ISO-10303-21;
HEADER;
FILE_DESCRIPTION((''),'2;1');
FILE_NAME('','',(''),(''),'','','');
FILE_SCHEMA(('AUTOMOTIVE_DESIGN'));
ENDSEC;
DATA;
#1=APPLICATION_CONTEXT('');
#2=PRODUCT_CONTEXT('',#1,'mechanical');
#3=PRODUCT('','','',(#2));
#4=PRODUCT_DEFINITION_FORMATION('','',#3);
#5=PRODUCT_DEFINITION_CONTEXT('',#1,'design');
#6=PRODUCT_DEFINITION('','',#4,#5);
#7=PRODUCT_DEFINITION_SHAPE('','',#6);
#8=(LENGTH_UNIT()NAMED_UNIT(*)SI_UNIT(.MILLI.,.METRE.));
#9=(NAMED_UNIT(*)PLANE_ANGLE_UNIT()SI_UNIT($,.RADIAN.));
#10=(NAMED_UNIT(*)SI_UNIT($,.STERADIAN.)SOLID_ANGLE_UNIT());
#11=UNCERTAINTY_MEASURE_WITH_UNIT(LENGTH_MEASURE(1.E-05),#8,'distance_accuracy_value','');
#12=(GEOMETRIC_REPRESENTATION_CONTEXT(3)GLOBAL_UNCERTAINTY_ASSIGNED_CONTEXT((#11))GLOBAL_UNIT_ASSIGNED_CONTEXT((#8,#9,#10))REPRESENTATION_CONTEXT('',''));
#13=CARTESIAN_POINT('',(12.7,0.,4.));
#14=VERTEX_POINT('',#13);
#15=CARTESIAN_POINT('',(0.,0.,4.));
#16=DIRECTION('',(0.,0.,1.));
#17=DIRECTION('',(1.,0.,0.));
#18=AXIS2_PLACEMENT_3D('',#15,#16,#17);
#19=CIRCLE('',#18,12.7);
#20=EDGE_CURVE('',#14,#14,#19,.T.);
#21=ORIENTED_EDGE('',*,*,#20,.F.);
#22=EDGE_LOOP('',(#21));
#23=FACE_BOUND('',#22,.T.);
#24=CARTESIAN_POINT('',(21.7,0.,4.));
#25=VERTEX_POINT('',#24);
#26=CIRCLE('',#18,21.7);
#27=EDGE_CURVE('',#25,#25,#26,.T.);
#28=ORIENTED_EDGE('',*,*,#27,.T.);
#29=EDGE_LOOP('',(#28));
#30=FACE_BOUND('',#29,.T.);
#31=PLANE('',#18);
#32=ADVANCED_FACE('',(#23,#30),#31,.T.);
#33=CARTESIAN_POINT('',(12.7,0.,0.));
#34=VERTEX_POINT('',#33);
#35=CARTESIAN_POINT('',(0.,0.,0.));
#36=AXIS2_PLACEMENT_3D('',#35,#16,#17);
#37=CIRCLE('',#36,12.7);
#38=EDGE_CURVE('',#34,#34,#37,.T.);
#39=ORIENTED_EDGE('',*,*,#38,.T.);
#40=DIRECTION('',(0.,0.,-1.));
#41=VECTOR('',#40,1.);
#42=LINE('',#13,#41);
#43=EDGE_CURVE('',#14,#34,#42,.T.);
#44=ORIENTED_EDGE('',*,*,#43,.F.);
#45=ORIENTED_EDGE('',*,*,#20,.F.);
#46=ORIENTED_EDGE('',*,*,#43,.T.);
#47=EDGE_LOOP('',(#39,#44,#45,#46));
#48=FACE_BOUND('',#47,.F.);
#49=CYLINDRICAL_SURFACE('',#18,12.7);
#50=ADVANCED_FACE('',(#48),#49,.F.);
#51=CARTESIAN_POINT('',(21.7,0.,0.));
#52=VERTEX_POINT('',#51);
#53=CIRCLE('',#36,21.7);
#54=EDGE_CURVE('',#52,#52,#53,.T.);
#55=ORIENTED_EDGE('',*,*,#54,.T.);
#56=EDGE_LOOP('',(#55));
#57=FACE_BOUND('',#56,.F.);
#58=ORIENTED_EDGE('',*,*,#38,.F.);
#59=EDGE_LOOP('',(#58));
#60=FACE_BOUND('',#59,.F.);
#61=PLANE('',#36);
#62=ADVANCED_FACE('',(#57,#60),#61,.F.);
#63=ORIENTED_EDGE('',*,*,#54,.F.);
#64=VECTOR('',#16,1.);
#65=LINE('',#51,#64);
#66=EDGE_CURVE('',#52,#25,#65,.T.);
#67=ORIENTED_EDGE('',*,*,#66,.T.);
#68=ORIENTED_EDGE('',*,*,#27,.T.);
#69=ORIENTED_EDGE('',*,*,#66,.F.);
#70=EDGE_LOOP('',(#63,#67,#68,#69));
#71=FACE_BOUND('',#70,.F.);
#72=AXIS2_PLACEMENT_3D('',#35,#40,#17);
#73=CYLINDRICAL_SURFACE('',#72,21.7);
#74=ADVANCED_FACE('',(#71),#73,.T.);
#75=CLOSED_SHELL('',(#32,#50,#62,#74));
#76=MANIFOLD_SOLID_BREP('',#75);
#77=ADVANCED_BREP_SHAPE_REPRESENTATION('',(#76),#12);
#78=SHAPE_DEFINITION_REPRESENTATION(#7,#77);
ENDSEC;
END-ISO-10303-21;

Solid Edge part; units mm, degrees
sketch "Sketch1" plane through (0, 0, 0) normal (0, 0, 1) x (1, 0, 0)
  circle A0 centre (0, 0) radius 21.7
extrude "Protrusion1" add sketch "Sketch1" along normal blind 4
sketch "Sketch2" plane through (0, 0, 4) normal (0, 0, 1) x (1, 0, 0)
  circle A0 centre (0, 0) radius 12.7
extrude "ExtrudedCutout_1" cut sketch "Sketch2" against normal blind 4
